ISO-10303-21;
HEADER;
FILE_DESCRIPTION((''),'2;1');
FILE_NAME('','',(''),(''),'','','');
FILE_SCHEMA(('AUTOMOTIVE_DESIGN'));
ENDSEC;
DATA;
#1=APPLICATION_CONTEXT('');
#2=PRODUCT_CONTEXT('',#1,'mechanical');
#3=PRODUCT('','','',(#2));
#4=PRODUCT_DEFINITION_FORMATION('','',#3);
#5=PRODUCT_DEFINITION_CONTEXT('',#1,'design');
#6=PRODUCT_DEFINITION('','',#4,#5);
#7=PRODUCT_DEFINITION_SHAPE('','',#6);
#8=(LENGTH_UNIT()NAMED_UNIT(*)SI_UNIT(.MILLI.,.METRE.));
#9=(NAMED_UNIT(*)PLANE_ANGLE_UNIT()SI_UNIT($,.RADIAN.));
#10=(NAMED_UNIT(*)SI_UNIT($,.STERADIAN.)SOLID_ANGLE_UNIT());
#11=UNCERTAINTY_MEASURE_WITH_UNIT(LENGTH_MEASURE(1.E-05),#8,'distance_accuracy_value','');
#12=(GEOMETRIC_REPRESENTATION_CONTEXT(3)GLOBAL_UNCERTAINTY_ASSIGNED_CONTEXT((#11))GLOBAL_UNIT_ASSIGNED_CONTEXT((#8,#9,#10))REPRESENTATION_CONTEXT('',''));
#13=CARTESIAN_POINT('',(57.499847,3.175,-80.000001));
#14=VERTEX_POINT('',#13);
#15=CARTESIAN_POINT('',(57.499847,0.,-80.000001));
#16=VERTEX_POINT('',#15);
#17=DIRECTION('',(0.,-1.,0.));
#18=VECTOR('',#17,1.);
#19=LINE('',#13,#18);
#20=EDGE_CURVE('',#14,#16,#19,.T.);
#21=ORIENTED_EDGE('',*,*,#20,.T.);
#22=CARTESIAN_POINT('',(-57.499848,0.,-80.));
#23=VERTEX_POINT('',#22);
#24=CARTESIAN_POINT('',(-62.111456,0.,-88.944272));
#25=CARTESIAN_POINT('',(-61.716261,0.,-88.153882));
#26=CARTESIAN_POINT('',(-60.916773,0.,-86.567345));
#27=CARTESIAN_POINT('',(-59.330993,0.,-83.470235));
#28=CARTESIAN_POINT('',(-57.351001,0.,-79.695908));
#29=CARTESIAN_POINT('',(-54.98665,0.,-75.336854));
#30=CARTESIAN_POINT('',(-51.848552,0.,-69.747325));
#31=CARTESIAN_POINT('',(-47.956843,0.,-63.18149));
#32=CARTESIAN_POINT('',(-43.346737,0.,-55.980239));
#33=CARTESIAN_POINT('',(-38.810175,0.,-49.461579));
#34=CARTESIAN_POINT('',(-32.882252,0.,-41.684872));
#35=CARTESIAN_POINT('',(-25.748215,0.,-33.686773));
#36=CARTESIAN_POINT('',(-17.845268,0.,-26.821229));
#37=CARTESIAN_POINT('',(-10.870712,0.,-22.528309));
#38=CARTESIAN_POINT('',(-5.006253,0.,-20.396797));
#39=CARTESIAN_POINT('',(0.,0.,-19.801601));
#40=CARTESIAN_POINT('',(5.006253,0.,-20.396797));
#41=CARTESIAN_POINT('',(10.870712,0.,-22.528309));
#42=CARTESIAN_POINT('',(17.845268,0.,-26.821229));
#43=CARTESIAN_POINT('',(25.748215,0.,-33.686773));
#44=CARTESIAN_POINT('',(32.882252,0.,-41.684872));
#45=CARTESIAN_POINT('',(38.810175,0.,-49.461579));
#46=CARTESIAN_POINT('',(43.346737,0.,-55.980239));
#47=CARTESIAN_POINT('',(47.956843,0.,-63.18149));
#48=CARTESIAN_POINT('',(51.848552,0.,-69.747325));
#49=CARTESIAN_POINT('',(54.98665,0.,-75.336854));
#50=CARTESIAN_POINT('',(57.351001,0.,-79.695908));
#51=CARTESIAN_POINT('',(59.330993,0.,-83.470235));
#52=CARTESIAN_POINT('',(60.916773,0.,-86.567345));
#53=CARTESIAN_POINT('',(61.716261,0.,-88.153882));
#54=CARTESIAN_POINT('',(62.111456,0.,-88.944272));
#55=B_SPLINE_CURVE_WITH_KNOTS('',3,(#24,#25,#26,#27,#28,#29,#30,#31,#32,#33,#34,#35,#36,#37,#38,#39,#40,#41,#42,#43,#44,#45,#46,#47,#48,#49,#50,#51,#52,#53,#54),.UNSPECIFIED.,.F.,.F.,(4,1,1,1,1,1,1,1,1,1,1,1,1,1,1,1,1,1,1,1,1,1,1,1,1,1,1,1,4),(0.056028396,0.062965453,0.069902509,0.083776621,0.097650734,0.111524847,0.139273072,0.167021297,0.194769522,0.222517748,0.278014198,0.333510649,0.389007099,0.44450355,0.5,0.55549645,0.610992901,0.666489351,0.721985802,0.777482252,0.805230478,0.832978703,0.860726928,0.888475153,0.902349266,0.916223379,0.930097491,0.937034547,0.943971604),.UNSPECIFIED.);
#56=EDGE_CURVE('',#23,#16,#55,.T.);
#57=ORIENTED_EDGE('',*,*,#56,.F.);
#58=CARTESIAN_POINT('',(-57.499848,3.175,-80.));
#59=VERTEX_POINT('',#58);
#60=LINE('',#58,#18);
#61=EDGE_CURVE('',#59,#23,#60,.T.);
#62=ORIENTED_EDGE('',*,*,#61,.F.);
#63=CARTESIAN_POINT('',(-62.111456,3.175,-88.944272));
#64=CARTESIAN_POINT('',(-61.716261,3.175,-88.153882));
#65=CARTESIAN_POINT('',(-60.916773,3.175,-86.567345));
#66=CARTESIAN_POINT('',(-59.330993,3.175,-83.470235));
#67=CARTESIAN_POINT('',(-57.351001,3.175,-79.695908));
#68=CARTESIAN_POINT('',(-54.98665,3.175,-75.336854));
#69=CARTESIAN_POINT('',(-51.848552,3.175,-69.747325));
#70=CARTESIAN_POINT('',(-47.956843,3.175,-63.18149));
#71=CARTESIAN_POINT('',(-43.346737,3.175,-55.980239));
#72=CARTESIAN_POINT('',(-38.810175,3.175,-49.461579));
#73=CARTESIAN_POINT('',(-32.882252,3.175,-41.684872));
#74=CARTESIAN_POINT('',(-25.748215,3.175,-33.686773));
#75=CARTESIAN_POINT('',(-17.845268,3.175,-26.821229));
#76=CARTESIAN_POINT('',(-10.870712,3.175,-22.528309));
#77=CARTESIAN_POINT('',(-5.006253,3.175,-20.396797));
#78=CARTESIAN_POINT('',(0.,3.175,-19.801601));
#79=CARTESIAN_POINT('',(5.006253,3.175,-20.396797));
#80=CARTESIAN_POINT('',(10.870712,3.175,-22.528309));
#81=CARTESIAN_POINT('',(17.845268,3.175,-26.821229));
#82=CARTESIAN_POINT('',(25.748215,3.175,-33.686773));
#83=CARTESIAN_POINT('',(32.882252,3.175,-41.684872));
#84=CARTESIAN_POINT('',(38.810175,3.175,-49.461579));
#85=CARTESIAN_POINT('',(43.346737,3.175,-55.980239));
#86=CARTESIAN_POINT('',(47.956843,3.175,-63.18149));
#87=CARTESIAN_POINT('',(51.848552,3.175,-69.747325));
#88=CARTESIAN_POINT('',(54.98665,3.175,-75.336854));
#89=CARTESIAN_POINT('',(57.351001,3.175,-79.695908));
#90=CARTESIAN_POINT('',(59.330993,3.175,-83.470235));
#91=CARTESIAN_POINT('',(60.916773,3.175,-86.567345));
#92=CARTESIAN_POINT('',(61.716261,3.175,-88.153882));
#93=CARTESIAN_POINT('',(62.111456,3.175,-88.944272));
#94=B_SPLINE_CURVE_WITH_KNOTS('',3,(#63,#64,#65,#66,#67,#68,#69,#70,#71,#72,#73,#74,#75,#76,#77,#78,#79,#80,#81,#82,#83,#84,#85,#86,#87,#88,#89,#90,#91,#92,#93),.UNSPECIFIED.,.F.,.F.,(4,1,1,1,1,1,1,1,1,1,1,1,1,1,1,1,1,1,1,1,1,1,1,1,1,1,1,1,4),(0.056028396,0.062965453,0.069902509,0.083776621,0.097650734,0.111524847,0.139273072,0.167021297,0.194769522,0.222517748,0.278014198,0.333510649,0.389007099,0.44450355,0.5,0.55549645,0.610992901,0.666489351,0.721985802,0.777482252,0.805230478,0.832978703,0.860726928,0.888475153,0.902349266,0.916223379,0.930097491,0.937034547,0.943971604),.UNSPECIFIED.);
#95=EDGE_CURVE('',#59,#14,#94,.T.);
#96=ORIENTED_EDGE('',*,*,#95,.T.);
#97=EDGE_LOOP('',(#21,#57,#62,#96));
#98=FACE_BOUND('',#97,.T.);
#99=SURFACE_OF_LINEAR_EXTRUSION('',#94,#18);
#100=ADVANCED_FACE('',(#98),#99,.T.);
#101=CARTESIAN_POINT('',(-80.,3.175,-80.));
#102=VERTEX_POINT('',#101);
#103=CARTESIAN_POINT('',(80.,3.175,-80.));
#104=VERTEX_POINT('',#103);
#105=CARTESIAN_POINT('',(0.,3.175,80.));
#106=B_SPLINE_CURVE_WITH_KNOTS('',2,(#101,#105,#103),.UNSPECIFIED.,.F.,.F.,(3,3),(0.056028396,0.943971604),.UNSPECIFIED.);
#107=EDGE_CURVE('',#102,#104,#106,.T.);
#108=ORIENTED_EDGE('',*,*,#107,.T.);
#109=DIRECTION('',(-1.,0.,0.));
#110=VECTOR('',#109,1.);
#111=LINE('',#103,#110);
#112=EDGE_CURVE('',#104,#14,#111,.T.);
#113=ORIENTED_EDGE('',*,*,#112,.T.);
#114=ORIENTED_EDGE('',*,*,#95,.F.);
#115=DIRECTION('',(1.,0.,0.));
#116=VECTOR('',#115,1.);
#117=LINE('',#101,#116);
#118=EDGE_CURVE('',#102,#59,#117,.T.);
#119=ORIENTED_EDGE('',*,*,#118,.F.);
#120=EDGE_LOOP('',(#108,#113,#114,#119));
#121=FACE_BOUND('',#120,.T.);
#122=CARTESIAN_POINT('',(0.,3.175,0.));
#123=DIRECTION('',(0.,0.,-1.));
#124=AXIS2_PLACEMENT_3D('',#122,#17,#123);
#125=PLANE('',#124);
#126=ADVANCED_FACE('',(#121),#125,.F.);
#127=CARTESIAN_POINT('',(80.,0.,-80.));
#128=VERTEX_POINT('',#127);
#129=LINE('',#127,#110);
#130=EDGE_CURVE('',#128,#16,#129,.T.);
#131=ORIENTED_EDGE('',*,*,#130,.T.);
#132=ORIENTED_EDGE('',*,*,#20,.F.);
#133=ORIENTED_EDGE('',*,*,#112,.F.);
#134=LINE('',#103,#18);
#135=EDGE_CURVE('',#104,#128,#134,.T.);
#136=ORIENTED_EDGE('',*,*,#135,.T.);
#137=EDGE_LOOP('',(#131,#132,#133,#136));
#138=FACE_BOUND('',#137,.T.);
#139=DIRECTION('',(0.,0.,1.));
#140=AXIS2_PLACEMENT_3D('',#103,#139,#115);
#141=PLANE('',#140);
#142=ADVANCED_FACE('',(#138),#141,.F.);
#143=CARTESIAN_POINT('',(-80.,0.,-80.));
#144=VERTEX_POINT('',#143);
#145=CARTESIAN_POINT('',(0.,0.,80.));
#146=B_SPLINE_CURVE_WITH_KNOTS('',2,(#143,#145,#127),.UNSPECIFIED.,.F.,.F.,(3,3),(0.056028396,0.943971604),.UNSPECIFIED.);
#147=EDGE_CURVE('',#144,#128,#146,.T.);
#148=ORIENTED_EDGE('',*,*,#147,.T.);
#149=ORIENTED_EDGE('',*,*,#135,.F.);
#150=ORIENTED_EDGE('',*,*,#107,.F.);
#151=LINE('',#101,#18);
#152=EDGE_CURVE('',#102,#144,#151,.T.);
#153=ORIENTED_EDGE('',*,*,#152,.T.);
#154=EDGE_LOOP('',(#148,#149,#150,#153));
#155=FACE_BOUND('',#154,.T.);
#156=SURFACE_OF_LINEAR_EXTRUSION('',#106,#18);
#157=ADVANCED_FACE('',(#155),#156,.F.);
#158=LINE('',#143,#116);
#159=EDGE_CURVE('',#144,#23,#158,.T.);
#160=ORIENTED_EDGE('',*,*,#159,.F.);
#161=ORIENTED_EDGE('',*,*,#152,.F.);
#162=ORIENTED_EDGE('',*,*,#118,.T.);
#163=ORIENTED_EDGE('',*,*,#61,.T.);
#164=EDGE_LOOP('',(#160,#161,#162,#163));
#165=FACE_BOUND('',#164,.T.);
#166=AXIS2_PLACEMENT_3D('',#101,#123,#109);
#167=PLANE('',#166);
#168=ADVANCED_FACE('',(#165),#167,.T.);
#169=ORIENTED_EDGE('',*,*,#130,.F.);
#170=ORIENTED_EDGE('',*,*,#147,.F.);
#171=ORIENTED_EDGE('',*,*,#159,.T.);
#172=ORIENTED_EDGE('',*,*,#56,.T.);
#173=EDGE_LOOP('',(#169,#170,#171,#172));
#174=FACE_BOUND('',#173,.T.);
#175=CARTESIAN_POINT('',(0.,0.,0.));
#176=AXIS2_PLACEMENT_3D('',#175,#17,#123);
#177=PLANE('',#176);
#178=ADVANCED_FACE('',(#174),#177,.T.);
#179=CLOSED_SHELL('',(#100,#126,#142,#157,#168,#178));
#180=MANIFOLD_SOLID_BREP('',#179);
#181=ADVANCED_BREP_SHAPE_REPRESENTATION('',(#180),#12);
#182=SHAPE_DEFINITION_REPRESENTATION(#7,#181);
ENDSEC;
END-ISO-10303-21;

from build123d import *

# Parameters (mm, degrees)
BOSS_EXTRUDE2_DEPTH = 3.175


with BuildPart() as part:
    # Sketch2 → Boss-Extrude2 (new body)
    with BuildSketch(Plane(origin=(0, 0, 0), x_dir=(1, 0, 0), z_dir=(0, 1, 0))):
        with BuildLine():
            Line((-80, 80), (-57.499848226, 80))
            add(Edge.make_bspline(
                [(-57.499848226, 80), (-57.450870986, 79.907980251), (-56.611725313, 78.332936266), (-54.986650064, 75.336853958), (-51.848551558, 69.747324605), (-47.956843026, 63.181490269), (-43.346736628, 55.98023853), (-38.810175142, 49.461579158), (-32.88225187, 41.684871694), (-25.748214631, 33.686773229), (-17.845268417, 26.821229439), (-10.8707117, 22.528309012), (-5.006253324, 20.396797429), (0, 19.801601285), (5.006253324, 20.396797429), (10.8707117, 22.528309012), (17.845268418, 26.821229439), (25.748214631, 33.686773228), (32.88225187, 41.684871694), (38.810175142, 49.461579157), (43.346736628, 55.980238529), (47.956843026, 63.181490269), (51.848551558, 69.747324605), (54.986650064, 75.336853957), (56.611725313, 78.332936265), (57.450870986, 79.907980251), (57.499848227, 79.999999999)],
                knots=[0.082916819, 0.082916819, 0.082916819, 0.082916819, 0.083776621, 0.097650734, 0.111524847, 0.139273072, 0.167021297, 0.194769522, 0.222517748, 0.278014198, 0.333510649, 0.389007099, 0.44450355, 0.5, 0.55549645, 0.610992901, 0.666489351, 0.721985802, 0.777482252, 0.805230478, 0.832978703, 0.860726928, 0.888475153, 0.902349266, 0.916223379, 0.917083181, 0.917083181, 0.917083181, 0.917083181], degree=3))
            Line((57.499848227, 79.999999999), (80, 79.999999999))
            add(Edge.make_bspline(
                [(-80, 80), (0, -80), (80, 79.999999999)],
                knots=[0.056028396, 0.056028396, 0.056028396, 0.943971604, 0.943971604, 0.943971604], degree=2))
        make_face()
    extrude(amount=BOSS_EXTRUDE2_DEPTH)


solid = part.part
